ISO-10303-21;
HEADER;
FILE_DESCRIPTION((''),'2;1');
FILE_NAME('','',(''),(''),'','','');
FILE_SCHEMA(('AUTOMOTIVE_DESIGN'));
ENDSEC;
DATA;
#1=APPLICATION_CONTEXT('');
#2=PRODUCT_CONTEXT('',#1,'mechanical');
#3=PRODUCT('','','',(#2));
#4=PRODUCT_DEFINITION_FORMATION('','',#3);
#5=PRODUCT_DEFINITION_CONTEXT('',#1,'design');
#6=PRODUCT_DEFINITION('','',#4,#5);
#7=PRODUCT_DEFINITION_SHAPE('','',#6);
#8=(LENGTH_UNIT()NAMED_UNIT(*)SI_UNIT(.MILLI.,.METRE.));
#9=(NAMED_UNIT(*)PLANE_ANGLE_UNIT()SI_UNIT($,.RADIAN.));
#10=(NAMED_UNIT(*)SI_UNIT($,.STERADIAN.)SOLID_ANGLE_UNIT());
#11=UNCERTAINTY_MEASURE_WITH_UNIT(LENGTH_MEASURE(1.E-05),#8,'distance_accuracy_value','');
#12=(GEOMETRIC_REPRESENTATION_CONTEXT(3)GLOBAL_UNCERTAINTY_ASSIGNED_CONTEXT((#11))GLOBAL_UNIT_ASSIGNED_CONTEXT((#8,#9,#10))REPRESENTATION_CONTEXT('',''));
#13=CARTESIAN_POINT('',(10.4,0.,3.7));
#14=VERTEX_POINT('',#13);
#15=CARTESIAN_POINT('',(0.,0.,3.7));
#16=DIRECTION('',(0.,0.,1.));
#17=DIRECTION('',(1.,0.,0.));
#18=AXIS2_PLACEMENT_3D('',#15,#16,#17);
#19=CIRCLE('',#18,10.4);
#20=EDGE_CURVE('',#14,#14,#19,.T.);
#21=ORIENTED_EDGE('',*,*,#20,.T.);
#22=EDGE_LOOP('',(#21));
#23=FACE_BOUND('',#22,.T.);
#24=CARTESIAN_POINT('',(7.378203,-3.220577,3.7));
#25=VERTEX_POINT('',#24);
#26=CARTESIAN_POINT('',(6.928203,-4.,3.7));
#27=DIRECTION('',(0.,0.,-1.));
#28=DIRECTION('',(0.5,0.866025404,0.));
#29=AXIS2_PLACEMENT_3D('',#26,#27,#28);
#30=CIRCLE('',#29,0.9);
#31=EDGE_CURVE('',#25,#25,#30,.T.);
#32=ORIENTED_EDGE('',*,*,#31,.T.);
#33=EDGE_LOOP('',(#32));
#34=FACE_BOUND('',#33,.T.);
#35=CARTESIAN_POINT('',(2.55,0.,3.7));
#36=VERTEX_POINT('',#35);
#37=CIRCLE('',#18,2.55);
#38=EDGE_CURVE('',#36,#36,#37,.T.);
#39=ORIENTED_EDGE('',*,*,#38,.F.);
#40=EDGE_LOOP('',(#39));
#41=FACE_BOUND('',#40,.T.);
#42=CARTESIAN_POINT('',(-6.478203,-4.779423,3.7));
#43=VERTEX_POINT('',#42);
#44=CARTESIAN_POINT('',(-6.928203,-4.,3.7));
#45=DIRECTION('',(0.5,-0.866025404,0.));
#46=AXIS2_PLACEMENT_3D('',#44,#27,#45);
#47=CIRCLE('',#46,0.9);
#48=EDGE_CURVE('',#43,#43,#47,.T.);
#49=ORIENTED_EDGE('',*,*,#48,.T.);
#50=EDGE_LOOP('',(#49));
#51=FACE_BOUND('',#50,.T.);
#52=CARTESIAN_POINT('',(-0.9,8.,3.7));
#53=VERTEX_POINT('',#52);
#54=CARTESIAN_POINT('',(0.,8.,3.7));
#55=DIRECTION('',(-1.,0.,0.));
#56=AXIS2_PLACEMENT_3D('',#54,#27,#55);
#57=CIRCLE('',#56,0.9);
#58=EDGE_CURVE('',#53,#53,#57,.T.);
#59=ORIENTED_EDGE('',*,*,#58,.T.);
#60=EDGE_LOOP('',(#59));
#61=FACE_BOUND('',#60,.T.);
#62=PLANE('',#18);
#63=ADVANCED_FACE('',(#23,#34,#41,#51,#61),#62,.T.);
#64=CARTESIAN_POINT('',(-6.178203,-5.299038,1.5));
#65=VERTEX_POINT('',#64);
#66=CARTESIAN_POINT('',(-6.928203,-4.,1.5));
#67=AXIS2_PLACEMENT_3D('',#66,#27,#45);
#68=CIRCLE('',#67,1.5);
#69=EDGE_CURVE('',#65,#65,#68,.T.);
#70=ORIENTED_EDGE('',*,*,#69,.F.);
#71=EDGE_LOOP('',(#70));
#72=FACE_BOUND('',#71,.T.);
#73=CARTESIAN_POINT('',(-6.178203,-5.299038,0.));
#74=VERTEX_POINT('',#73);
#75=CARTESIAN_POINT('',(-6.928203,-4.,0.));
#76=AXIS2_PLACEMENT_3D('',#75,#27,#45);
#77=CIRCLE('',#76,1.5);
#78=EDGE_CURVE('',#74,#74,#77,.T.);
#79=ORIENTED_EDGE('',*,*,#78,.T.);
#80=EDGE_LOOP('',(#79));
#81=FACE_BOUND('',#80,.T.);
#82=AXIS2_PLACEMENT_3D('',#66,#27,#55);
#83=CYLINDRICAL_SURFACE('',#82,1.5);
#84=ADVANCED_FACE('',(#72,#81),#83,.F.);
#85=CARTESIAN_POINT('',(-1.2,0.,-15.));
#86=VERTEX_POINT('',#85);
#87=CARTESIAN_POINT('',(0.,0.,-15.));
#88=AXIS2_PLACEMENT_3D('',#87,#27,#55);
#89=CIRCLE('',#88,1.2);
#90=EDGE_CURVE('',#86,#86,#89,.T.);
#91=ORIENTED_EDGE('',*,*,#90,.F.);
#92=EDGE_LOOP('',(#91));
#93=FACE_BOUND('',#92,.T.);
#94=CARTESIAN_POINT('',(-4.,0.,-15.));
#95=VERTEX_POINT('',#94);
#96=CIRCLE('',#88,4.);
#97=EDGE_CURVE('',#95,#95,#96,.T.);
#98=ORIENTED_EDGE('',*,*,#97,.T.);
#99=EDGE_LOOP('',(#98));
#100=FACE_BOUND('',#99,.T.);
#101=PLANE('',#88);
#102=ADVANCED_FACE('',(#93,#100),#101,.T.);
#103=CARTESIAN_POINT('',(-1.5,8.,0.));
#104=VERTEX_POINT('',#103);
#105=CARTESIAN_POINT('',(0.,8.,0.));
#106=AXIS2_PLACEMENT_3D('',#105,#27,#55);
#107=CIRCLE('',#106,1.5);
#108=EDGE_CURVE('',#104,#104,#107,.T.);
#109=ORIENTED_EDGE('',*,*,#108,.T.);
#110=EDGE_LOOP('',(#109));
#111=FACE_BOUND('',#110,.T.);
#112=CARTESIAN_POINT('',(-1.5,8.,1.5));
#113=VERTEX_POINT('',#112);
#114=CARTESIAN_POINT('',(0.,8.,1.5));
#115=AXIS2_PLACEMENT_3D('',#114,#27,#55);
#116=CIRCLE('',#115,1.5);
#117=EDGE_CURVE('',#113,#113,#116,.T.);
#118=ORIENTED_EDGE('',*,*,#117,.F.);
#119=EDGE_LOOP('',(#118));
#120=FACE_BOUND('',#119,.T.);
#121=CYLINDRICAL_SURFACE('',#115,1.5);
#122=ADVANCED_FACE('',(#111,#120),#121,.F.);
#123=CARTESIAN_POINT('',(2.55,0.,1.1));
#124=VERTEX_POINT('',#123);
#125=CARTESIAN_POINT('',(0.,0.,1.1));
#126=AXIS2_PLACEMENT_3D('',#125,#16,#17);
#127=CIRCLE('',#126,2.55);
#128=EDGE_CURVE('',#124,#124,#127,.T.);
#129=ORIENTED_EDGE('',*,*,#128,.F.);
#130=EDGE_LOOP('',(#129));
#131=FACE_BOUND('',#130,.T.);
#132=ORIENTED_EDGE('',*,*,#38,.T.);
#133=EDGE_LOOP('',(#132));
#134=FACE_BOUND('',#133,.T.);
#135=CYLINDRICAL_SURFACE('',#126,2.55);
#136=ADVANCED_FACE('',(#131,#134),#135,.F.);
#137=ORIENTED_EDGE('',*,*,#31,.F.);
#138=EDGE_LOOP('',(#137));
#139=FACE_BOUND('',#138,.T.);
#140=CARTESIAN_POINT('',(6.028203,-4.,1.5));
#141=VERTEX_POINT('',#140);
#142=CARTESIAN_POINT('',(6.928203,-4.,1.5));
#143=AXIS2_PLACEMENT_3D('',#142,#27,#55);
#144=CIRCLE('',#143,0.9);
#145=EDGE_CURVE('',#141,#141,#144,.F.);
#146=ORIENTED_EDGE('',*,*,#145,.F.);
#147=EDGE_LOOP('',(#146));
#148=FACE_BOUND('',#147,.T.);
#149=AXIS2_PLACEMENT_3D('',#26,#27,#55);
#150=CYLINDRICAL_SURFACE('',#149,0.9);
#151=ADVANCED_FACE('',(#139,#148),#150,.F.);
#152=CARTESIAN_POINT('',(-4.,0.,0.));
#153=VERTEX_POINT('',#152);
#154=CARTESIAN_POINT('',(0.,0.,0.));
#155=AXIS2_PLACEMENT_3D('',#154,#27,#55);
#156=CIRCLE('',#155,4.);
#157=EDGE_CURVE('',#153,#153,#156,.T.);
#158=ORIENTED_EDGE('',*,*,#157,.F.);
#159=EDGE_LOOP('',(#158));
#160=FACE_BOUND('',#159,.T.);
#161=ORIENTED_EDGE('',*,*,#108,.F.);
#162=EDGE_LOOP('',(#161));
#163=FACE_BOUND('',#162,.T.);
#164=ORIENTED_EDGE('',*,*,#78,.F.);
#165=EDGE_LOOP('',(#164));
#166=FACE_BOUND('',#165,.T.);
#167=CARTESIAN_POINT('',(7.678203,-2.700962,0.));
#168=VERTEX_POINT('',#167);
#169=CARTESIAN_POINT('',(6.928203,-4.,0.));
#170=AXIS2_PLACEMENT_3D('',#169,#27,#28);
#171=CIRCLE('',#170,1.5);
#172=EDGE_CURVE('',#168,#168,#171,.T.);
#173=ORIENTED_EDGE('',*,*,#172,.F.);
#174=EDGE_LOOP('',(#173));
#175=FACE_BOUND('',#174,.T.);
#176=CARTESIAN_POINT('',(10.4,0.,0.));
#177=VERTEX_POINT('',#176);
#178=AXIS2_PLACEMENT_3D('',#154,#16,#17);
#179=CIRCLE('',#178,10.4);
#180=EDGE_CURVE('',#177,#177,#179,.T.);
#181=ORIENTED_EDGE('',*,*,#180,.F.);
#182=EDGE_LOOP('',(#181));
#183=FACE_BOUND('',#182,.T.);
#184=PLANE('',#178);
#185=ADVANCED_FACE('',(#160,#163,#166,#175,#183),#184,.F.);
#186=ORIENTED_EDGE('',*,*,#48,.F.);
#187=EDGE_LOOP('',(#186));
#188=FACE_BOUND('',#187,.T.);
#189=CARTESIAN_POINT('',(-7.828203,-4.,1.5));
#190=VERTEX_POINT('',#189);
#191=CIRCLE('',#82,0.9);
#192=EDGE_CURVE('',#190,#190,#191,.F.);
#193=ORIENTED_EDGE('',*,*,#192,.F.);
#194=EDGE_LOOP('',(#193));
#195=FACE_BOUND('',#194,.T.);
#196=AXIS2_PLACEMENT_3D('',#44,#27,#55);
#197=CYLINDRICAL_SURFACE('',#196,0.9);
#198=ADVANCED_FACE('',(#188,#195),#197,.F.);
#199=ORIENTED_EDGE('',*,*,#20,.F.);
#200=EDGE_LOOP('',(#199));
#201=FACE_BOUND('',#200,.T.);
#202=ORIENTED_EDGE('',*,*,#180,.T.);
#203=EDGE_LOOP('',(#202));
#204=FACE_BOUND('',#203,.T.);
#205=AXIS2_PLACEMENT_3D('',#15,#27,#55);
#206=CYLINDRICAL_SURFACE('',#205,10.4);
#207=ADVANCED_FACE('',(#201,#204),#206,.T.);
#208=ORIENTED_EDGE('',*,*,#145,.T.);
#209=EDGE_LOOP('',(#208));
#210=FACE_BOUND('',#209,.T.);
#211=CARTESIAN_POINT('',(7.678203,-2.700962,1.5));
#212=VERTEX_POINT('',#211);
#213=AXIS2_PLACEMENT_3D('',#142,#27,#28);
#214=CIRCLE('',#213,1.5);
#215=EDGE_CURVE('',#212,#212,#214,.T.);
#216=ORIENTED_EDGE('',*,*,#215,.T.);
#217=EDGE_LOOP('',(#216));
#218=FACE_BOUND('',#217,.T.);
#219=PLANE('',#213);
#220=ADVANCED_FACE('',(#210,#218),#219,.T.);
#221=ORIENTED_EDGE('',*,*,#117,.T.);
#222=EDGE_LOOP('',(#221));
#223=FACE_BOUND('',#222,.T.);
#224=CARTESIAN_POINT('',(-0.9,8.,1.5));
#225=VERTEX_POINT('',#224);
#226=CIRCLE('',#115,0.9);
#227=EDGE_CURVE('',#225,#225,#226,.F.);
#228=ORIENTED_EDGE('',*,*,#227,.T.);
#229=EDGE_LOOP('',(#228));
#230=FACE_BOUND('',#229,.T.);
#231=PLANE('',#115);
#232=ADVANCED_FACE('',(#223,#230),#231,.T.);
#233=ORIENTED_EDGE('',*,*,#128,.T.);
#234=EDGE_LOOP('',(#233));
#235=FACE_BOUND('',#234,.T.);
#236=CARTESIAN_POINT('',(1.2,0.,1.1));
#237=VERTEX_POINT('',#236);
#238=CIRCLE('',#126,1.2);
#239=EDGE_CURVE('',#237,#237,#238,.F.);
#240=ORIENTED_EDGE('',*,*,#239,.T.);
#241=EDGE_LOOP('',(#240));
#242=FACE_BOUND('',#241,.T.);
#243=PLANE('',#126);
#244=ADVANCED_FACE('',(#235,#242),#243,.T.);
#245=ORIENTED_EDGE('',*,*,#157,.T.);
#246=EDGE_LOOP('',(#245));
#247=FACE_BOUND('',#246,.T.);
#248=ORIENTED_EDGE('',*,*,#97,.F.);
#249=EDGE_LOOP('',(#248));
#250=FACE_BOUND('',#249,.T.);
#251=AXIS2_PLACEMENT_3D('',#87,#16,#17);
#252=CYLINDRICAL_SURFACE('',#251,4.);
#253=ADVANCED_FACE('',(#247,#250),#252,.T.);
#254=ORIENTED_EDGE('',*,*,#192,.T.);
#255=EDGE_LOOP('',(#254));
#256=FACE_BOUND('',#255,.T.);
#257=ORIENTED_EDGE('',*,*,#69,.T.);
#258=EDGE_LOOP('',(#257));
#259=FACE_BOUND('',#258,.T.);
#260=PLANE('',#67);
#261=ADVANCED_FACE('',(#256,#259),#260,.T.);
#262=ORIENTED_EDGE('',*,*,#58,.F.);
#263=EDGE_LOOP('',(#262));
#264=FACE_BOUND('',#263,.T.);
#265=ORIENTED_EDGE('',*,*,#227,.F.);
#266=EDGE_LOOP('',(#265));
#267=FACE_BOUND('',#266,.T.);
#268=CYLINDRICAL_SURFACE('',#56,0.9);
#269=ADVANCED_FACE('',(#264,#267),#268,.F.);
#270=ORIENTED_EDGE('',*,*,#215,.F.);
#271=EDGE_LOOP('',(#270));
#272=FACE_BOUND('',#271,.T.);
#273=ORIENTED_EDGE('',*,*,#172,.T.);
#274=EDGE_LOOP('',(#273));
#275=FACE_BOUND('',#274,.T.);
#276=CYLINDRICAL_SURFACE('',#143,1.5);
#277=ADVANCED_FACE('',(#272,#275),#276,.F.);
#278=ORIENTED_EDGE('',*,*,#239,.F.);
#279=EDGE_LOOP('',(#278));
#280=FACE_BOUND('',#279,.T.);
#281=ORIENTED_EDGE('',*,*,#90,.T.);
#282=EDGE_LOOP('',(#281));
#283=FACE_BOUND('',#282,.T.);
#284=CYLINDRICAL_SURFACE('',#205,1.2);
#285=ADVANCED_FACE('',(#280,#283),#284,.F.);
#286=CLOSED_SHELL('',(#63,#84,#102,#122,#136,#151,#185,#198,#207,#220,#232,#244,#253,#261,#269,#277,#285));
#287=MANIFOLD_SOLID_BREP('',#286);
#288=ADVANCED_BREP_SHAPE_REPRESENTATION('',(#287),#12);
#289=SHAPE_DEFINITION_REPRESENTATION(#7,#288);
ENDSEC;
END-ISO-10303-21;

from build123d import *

# Parameters (mm, degrees)
SKETCH_1_R               = 10.4
EXTRUDE_1_DEPTH          = 3.7
SKETCH_2_R               = 0.9
CUT_EXTRUDE_1_DEPTH      = 16.166080575
SKETCH_2_3_R             = 1.5
CUT_EXTRUDE_2_DEPTH      = 1.5
PATTERN_CIRCULAR_1_COUNT = 3
SKETCH_3_R               = 1.2
CUT_EXTRUDE_3_DEPTH      = 16.166080575
SKETCH_4_R               = 2.55
CUT_EXTRUDE_4_DEPTH      = 2.6
EXTRUDE_START            = 15
SKETCH_5_R               = 4
SKETCH_5_R_2             = 1.2
EXTRUDE_2_DEPTH          = 15


with BuildPart() as part:
    # 草图1 → 凸台-拉伸1 (new body)
    with BuildSketch(Plane.XY):
        Circle(SKETCH_1_R)
    extrude(amount=EXTRUDE_1_DEPTH)

    # 草图2 → 切除-拉伸1 (cut, through all)
    with BuildSketch(Plane(origin=(0, 0, 0), x_dir=(-1, 0, 0), z_dir=(0, 0, -1))):
        with Locations((0, 8)):
            Circle(SKETCH_2_R)
    cut_extrude_1 = extrude(amount=-CUT_EXTRUDE_1_DEPTH, mode=Mode.SUBTRACT)

    # 草图2<3> → 切除-拉伸2 (cut)
    with BuildSketch(Plane(origin=(0, 0, 0), x_dir=(-1, 0, 0), z_dir=(0, 0, -1))):
        with Locations((0, 8)):
            Circle(SKETCH_2_3_R)
    cut_extrude_2 = extrude(amount=-CUT_EXTRUDE_2_DEPTH, mode=Mode.SUBTRACT)

    # 阵列(圆周)1: 切除-拉伸1, 切除-拉伸2 ×3 about axis
    pattern_circular_1_axis = Axis((0, 0, 3.7), (0, 0, -1))
    add([cut_extrude_1.rotate(pattern_circular_1_axis, i * 360 / PATTERN_CIRCULAR_1_COUNT) for i in range(1, PATTERN_CIRCULAR_1_COUNT)], mode=Mode.SUBTRACT)
    add([cut_extrude_2.rotate(pattern_circular_1_axis, i * 360 / PATTERN_CIRCULAR_1_COUNT) for i in range(1, PATTERN_CIRCULAR_1_COUNT)], mode=Mode.SUBTRACT)

    # 草图3 → 切除-拉伸3 (cut, through all)
    with BuildSketch(Plane(origin=(0, 0, 0), x_dir=(-1, 0, 0), z_dir=(0, 0, -1))):
        Circle(SKETCH_3_R)
    extrude(amount=-CUT_EXTRUDE_3_DEPTH, mode=Mode.SUBTRACT)

    # 草图4 → 切除-拉伸4 (cut)
    with BuildSketch(Plane.XY.offset(3.7)):
        Circle(SKETCH_4_R)
    extrude(amount=-CUT_EXTRUDE_4_DEPTH, mode=Mode.SUBTRACT)

    # 草图5 → 凸台-拉伸2 (add)
    with BuildSketch(Plane(origin=(0, 0, 0), x_dir=(-1, 0, 0), z_dir=(0, 0, -1)).offset(EXTRUDE_START)):
        Circle(SKETCH_5_R)
        Circle(SKETCH_5_R_2, mode=Mode.SUBTRACT)
    extrude(amount=-EXTRUDE_2_DEPTH)


solid = part.part
